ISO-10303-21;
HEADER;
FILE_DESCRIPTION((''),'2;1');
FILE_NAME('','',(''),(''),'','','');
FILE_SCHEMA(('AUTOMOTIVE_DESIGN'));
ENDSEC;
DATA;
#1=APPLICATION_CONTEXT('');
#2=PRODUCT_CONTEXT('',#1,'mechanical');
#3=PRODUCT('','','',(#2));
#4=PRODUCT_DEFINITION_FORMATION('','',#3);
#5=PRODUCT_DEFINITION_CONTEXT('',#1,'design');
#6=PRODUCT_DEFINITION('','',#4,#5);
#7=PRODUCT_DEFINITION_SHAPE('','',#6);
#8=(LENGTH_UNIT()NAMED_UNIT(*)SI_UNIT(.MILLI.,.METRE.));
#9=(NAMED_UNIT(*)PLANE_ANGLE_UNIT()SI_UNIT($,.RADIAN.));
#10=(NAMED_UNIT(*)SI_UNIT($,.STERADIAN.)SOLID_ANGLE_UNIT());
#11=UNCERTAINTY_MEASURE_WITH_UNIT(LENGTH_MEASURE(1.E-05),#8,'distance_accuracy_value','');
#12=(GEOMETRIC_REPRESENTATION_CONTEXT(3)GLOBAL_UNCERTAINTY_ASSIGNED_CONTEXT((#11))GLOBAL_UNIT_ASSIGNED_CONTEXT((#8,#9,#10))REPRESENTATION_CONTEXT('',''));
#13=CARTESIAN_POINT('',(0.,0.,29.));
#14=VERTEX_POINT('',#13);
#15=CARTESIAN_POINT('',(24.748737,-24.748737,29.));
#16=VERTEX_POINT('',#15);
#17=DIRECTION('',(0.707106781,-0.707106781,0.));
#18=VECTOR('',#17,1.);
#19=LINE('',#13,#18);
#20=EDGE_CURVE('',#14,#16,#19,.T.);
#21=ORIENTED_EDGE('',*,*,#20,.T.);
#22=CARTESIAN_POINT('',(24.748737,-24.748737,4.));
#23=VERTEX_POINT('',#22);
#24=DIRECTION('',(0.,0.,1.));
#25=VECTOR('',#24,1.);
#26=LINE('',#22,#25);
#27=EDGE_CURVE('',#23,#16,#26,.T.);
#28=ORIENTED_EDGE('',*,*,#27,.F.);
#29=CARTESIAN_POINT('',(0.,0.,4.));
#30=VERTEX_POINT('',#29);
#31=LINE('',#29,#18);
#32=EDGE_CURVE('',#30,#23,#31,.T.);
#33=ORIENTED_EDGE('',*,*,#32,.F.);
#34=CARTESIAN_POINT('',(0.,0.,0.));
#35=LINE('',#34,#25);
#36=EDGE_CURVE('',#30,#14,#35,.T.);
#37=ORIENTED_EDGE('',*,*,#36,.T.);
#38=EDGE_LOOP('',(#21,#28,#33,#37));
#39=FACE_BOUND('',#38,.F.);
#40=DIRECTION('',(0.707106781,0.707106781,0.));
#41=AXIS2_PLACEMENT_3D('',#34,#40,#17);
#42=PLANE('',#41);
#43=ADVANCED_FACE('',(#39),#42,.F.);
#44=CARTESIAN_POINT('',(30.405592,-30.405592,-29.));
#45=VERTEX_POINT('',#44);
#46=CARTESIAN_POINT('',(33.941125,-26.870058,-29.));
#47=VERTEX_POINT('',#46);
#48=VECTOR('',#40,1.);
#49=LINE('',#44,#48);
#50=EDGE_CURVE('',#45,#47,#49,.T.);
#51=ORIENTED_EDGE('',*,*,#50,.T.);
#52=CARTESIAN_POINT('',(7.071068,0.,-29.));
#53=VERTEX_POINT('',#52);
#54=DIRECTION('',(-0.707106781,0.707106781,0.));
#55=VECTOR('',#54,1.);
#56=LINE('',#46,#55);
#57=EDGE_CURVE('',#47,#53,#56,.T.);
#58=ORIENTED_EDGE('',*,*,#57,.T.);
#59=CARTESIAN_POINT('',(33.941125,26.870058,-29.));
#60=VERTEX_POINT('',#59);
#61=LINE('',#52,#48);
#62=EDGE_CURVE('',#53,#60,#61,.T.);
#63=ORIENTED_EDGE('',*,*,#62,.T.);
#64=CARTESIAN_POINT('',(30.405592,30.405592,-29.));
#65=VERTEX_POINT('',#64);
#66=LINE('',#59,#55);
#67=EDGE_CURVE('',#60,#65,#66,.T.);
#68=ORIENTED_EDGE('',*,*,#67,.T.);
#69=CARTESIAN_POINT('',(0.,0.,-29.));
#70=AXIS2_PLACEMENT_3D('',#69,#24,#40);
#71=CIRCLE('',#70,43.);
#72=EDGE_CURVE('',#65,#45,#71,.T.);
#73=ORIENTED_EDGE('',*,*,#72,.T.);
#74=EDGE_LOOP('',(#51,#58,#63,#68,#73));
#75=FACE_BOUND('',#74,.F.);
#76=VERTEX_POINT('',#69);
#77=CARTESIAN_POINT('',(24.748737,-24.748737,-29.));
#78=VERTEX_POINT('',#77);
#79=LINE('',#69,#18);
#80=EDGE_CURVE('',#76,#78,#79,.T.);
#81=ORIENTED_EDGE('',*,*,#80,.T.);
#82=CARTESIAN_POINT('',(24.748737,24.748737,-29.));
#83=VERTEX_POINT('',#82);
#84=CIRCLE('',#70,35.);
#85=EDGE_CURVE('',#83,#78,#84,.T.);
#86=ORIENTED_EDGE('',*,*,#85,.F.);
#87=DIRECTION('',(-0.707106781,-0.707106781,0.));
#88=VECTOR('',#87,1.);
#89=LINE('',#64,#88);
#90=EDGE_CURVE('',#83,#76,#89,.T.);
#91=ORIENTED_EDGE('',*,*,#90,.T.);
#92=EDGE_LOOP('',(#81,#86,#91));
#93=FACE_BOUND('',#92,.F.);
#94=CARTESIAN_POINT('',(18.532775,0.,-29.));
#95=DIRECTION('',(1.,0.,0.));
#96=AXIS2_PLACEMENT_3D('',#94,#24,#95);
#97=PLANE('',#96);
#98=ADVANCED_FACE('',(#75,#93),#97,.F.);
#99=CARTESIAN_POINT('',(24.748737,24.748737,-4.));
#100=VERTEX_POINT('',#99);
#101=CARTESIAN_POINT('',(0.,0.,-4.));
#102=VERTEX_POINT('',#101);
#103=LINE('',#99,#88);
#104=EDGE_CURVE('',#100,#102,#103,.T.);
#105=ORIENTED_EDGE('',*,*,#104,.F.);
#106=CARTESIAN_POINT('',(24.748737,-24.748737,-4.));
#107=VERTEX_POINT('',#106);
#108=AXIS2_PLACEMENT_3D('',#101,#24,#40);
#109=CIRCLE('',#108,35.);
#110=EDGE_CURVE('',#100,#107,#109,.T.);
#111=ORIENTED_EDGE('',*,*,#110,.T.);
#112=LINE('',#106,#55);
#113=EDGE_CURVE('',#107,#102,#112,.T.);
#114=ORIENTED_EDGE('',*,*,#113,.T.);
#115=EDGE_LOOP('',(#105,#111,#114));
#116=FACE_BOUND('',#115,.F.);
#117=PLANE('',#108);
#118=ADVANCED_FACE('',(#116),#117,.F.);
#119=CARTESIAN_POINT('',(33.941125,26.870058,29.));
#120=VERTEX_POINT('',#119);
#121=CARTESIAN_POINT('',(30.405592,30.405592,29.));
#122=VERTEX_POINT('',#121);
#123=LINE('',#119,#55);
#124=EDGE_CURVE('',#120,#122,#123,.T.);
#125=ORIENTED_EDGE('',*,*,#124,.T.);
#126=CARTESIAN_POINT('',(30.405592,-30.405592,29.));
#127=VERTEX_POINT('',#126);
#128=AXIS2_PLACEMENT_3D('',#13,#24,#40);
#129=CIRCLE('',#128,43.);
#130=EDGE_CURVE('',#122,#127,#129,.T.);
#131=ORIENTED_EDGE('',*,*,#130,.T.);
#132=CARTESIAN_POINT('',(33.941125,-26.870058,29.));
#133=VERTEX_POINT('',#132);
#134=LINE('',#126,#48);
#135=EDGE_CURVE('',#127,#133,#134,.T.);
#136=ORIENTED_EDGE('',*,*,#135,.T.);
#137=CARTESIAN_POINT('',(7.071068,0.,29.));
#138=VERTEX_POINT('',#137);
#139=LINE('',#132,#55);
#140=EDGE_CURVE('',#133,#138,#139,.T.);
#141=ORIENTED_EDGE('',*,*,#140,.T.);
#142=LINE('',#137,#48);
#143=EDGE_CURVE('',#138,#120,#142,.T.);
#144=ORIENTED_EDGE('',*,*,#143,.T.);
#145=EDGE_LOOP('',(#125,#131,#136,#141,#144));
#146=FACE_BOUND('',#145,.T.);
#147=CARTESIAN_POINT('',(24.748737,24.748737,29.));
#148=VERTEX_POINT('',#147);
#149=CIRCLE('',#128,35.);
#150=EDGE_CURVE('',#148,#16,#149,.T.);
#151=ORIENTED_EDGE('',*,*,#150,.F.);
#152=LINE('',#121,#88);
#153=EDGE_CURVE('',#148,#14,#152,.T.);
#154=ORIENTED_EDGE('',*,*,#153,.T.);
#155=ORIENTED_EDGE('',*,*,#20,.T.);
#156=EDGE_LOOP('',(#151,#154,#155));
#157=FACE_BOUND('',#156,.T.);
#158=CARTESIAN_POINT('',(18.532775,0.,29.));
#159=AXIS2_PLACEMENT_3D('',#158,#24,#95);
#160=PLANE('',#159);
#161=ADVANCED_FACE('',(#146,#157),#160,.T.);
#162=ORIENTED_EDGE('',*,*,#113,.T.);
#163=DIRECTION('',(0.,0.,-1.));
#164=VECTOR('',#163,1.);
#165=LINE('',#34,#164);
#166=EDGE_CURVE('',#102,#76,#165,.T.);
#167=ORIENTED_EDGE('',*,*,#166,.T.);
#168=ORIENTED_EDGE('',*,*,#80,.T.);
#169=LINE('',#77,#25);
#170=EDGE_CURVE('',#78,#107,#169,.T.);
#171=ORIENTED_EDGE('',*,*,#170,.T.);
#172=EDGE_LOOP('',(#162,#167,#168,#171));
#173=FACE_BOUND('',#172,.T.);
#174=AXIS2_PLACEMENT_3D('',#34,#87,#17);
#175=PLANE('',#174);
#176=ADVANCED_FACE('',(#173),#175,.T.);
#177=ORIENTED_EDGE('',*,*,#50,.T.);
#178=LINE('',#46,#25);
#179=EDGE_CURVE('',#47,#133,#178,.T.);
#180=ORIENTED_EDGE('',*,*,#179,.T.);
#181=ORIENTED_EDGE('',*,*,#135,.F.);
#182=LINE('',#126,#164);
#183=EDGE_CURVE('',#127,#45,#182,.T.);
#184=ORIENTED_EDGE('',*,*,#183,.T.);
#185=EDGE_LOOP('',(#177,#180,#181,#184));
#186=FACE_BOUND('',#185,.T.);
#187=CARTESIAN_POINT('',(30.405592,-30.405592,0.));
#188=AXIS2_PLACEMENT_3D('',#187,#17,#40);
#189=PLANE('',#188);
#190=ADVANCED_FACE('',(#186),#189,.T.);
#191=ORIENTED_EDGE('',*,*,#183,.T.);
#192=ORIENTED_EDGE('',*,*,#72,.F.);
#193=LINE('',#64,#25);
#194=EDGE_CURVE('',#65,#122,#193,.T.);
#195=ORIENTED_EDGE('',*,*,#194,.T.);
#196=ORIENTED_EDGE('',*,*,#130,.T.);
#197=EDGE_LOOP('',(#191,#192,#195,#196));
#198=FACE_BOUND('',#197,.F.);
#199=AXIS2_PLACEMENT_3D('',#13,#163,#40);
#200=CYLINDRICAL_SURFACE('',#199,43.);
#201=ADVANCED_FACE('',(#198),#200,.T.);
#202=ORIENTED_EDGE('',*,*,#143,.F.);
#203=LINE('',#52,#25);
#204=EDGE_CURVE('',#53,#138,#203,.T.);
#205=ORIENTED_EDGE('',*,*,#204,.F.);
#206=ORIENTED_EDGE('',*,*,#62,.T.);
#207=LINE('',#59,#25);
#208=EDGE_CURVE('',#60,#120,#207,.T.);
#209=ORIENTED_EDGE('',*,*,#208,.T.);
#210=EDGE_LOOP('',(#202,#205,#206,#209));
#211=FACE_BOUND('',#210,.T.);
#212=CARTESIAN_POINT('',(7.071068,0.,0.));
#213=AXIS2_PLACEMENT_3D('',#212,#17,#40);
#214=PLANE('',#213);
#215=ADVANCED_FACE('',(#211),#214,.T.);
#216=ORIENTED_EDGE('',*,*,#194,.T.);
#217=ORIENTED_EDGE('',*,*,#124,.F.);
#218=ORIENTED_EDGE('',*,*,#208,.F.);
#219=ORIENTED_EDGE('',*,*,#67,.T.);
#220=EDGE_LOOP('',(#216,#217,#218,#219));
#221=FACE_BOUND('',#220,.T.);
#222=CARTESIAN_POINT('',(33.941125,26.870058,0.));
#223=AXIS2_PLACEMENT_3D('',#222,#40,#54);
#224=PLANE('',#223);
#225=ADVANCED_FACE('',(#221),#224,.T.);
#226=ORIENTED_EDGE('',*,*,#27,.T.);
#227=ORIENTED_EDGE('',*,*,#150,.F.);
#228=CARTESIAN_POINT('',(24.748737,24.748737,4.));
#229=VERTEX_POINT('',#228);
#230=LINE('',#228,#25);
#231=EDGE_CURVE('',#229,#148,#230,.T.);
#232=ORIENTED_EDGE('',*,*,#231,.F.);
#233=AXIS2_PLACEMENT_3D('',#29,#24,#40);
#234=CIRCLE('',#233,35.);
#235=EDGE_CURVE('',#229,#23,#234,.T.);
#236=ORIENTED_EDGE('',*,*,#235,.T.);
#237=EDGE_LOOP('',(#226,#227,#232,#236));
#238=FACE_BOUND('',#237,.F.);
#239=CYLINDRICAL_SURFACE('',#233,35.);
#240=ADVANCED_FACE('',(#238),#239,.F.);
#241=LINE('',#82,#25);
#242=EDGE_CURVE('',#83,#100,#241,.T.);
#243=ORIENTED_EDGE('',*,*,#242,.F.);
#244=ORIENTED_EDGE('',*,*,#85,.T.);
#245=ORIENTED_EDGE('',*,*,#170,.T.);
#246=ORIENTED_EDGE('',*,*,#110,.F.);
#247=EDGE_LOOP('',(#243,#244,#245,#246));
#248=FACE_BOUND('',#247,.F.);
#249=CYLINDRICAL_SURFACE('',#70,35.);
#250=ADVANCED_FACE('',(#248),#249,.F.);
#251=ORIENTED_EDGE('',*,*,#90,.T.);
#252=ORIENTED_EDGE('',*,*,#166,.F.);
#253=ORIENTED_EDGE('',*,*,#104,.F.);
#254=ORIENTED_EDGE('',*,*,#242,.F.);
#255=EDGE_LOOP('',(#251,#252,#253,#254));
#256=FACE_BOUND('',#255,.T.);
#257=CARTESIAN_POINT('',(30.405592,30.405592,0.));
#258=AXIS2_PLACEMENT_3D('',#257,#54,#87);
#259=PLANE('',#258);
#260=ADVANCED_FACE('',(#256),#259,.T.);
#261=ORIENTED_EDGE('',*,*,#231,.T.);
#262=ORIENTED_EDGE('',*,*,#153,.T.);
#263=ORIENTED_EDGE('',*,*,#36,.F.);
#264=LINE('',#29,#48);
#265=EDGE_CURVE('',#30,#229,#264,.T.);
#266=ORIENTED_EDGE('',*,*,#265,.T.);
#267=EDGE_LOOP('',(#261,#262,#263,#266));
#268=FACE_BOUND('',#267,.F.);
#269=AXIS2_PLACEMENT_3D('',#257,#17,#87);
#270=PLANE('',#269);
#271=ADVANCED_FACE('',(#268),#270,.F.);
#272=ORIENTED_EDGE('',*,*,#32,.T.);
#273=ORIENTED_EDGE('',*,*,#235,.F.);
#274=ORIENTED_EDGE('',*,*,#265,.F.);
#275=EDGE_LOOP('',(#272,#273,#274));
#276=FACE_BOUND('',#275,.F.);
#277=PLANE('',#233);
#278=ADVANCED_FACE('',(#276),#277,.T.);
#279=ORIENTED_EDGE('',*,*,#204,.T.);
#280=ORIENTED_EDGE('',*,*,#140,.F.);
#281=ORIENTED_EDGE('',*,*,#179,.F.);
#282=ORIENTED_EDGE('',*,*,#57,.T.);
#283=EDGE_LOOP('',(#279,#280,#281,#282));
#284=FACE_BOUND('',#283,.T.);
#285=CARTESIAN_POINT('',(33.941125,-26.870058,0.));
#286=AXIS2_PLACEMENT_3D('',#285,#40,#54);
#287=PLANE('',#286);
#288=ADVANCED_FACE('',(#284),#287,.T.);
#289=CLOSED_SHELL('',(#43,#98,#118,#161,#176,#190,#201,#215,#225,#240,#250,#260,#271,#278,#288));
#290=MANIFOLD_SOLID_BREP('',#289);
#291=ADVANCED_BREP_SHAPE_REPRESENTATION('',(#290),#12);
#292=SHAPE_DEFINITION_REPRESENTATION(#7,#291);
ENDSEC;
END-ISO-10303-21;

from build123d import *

# Parameters (mm, degrees)
F1_ANGLE_BACK = 135
F1_ANGLE      = 270
F3_DEPTH      = 29
F4_DEPTH      = 29


with BuildPart() as f1:
    # F0 (on Front) → F1 (revolve)
    with BuildSketch(Plane.XZ, mode=Mode.PRIVATE) as f1_sk:
        Polygon((0, -4), (0, 4), (-35, 4), (-35, 29), (-43, 29), (-43, -29), (-35, -29), (-35, -4), align=None)
    revolve(f1_sk.sketch.rotate(Axis((0, 0, -1.0322406888), (0, 0, 1)), -F1_ANGLE_BACK), axis=Axis((0, 0, -1.0322406888), (0, 0, 1)), revolution_arc=F1_ANGLE)

    # F2 (on Top) → F3 (join, through all)
    with BuildSketch(Plane.XY):
        Polygon((0, 0), (30.405591591, -30.405591591), (33.941125497, -26.8700576851), (7.0710678119, 0), (33.941125497, 26.8700576851), (30.405591591, 30.405591591), align=None)
    extrude(amount=F3_DEPTH)

    # F4 (add, through all): a face of the model
    f4_faces = [f1.faces().sort_by_distance(p)[0] for p in [
        (15.6952386856, -14.7103529054, 0),
    ]]
    extrude(f4_faces, amount=F4_DEPTH)


solid = f1.part
